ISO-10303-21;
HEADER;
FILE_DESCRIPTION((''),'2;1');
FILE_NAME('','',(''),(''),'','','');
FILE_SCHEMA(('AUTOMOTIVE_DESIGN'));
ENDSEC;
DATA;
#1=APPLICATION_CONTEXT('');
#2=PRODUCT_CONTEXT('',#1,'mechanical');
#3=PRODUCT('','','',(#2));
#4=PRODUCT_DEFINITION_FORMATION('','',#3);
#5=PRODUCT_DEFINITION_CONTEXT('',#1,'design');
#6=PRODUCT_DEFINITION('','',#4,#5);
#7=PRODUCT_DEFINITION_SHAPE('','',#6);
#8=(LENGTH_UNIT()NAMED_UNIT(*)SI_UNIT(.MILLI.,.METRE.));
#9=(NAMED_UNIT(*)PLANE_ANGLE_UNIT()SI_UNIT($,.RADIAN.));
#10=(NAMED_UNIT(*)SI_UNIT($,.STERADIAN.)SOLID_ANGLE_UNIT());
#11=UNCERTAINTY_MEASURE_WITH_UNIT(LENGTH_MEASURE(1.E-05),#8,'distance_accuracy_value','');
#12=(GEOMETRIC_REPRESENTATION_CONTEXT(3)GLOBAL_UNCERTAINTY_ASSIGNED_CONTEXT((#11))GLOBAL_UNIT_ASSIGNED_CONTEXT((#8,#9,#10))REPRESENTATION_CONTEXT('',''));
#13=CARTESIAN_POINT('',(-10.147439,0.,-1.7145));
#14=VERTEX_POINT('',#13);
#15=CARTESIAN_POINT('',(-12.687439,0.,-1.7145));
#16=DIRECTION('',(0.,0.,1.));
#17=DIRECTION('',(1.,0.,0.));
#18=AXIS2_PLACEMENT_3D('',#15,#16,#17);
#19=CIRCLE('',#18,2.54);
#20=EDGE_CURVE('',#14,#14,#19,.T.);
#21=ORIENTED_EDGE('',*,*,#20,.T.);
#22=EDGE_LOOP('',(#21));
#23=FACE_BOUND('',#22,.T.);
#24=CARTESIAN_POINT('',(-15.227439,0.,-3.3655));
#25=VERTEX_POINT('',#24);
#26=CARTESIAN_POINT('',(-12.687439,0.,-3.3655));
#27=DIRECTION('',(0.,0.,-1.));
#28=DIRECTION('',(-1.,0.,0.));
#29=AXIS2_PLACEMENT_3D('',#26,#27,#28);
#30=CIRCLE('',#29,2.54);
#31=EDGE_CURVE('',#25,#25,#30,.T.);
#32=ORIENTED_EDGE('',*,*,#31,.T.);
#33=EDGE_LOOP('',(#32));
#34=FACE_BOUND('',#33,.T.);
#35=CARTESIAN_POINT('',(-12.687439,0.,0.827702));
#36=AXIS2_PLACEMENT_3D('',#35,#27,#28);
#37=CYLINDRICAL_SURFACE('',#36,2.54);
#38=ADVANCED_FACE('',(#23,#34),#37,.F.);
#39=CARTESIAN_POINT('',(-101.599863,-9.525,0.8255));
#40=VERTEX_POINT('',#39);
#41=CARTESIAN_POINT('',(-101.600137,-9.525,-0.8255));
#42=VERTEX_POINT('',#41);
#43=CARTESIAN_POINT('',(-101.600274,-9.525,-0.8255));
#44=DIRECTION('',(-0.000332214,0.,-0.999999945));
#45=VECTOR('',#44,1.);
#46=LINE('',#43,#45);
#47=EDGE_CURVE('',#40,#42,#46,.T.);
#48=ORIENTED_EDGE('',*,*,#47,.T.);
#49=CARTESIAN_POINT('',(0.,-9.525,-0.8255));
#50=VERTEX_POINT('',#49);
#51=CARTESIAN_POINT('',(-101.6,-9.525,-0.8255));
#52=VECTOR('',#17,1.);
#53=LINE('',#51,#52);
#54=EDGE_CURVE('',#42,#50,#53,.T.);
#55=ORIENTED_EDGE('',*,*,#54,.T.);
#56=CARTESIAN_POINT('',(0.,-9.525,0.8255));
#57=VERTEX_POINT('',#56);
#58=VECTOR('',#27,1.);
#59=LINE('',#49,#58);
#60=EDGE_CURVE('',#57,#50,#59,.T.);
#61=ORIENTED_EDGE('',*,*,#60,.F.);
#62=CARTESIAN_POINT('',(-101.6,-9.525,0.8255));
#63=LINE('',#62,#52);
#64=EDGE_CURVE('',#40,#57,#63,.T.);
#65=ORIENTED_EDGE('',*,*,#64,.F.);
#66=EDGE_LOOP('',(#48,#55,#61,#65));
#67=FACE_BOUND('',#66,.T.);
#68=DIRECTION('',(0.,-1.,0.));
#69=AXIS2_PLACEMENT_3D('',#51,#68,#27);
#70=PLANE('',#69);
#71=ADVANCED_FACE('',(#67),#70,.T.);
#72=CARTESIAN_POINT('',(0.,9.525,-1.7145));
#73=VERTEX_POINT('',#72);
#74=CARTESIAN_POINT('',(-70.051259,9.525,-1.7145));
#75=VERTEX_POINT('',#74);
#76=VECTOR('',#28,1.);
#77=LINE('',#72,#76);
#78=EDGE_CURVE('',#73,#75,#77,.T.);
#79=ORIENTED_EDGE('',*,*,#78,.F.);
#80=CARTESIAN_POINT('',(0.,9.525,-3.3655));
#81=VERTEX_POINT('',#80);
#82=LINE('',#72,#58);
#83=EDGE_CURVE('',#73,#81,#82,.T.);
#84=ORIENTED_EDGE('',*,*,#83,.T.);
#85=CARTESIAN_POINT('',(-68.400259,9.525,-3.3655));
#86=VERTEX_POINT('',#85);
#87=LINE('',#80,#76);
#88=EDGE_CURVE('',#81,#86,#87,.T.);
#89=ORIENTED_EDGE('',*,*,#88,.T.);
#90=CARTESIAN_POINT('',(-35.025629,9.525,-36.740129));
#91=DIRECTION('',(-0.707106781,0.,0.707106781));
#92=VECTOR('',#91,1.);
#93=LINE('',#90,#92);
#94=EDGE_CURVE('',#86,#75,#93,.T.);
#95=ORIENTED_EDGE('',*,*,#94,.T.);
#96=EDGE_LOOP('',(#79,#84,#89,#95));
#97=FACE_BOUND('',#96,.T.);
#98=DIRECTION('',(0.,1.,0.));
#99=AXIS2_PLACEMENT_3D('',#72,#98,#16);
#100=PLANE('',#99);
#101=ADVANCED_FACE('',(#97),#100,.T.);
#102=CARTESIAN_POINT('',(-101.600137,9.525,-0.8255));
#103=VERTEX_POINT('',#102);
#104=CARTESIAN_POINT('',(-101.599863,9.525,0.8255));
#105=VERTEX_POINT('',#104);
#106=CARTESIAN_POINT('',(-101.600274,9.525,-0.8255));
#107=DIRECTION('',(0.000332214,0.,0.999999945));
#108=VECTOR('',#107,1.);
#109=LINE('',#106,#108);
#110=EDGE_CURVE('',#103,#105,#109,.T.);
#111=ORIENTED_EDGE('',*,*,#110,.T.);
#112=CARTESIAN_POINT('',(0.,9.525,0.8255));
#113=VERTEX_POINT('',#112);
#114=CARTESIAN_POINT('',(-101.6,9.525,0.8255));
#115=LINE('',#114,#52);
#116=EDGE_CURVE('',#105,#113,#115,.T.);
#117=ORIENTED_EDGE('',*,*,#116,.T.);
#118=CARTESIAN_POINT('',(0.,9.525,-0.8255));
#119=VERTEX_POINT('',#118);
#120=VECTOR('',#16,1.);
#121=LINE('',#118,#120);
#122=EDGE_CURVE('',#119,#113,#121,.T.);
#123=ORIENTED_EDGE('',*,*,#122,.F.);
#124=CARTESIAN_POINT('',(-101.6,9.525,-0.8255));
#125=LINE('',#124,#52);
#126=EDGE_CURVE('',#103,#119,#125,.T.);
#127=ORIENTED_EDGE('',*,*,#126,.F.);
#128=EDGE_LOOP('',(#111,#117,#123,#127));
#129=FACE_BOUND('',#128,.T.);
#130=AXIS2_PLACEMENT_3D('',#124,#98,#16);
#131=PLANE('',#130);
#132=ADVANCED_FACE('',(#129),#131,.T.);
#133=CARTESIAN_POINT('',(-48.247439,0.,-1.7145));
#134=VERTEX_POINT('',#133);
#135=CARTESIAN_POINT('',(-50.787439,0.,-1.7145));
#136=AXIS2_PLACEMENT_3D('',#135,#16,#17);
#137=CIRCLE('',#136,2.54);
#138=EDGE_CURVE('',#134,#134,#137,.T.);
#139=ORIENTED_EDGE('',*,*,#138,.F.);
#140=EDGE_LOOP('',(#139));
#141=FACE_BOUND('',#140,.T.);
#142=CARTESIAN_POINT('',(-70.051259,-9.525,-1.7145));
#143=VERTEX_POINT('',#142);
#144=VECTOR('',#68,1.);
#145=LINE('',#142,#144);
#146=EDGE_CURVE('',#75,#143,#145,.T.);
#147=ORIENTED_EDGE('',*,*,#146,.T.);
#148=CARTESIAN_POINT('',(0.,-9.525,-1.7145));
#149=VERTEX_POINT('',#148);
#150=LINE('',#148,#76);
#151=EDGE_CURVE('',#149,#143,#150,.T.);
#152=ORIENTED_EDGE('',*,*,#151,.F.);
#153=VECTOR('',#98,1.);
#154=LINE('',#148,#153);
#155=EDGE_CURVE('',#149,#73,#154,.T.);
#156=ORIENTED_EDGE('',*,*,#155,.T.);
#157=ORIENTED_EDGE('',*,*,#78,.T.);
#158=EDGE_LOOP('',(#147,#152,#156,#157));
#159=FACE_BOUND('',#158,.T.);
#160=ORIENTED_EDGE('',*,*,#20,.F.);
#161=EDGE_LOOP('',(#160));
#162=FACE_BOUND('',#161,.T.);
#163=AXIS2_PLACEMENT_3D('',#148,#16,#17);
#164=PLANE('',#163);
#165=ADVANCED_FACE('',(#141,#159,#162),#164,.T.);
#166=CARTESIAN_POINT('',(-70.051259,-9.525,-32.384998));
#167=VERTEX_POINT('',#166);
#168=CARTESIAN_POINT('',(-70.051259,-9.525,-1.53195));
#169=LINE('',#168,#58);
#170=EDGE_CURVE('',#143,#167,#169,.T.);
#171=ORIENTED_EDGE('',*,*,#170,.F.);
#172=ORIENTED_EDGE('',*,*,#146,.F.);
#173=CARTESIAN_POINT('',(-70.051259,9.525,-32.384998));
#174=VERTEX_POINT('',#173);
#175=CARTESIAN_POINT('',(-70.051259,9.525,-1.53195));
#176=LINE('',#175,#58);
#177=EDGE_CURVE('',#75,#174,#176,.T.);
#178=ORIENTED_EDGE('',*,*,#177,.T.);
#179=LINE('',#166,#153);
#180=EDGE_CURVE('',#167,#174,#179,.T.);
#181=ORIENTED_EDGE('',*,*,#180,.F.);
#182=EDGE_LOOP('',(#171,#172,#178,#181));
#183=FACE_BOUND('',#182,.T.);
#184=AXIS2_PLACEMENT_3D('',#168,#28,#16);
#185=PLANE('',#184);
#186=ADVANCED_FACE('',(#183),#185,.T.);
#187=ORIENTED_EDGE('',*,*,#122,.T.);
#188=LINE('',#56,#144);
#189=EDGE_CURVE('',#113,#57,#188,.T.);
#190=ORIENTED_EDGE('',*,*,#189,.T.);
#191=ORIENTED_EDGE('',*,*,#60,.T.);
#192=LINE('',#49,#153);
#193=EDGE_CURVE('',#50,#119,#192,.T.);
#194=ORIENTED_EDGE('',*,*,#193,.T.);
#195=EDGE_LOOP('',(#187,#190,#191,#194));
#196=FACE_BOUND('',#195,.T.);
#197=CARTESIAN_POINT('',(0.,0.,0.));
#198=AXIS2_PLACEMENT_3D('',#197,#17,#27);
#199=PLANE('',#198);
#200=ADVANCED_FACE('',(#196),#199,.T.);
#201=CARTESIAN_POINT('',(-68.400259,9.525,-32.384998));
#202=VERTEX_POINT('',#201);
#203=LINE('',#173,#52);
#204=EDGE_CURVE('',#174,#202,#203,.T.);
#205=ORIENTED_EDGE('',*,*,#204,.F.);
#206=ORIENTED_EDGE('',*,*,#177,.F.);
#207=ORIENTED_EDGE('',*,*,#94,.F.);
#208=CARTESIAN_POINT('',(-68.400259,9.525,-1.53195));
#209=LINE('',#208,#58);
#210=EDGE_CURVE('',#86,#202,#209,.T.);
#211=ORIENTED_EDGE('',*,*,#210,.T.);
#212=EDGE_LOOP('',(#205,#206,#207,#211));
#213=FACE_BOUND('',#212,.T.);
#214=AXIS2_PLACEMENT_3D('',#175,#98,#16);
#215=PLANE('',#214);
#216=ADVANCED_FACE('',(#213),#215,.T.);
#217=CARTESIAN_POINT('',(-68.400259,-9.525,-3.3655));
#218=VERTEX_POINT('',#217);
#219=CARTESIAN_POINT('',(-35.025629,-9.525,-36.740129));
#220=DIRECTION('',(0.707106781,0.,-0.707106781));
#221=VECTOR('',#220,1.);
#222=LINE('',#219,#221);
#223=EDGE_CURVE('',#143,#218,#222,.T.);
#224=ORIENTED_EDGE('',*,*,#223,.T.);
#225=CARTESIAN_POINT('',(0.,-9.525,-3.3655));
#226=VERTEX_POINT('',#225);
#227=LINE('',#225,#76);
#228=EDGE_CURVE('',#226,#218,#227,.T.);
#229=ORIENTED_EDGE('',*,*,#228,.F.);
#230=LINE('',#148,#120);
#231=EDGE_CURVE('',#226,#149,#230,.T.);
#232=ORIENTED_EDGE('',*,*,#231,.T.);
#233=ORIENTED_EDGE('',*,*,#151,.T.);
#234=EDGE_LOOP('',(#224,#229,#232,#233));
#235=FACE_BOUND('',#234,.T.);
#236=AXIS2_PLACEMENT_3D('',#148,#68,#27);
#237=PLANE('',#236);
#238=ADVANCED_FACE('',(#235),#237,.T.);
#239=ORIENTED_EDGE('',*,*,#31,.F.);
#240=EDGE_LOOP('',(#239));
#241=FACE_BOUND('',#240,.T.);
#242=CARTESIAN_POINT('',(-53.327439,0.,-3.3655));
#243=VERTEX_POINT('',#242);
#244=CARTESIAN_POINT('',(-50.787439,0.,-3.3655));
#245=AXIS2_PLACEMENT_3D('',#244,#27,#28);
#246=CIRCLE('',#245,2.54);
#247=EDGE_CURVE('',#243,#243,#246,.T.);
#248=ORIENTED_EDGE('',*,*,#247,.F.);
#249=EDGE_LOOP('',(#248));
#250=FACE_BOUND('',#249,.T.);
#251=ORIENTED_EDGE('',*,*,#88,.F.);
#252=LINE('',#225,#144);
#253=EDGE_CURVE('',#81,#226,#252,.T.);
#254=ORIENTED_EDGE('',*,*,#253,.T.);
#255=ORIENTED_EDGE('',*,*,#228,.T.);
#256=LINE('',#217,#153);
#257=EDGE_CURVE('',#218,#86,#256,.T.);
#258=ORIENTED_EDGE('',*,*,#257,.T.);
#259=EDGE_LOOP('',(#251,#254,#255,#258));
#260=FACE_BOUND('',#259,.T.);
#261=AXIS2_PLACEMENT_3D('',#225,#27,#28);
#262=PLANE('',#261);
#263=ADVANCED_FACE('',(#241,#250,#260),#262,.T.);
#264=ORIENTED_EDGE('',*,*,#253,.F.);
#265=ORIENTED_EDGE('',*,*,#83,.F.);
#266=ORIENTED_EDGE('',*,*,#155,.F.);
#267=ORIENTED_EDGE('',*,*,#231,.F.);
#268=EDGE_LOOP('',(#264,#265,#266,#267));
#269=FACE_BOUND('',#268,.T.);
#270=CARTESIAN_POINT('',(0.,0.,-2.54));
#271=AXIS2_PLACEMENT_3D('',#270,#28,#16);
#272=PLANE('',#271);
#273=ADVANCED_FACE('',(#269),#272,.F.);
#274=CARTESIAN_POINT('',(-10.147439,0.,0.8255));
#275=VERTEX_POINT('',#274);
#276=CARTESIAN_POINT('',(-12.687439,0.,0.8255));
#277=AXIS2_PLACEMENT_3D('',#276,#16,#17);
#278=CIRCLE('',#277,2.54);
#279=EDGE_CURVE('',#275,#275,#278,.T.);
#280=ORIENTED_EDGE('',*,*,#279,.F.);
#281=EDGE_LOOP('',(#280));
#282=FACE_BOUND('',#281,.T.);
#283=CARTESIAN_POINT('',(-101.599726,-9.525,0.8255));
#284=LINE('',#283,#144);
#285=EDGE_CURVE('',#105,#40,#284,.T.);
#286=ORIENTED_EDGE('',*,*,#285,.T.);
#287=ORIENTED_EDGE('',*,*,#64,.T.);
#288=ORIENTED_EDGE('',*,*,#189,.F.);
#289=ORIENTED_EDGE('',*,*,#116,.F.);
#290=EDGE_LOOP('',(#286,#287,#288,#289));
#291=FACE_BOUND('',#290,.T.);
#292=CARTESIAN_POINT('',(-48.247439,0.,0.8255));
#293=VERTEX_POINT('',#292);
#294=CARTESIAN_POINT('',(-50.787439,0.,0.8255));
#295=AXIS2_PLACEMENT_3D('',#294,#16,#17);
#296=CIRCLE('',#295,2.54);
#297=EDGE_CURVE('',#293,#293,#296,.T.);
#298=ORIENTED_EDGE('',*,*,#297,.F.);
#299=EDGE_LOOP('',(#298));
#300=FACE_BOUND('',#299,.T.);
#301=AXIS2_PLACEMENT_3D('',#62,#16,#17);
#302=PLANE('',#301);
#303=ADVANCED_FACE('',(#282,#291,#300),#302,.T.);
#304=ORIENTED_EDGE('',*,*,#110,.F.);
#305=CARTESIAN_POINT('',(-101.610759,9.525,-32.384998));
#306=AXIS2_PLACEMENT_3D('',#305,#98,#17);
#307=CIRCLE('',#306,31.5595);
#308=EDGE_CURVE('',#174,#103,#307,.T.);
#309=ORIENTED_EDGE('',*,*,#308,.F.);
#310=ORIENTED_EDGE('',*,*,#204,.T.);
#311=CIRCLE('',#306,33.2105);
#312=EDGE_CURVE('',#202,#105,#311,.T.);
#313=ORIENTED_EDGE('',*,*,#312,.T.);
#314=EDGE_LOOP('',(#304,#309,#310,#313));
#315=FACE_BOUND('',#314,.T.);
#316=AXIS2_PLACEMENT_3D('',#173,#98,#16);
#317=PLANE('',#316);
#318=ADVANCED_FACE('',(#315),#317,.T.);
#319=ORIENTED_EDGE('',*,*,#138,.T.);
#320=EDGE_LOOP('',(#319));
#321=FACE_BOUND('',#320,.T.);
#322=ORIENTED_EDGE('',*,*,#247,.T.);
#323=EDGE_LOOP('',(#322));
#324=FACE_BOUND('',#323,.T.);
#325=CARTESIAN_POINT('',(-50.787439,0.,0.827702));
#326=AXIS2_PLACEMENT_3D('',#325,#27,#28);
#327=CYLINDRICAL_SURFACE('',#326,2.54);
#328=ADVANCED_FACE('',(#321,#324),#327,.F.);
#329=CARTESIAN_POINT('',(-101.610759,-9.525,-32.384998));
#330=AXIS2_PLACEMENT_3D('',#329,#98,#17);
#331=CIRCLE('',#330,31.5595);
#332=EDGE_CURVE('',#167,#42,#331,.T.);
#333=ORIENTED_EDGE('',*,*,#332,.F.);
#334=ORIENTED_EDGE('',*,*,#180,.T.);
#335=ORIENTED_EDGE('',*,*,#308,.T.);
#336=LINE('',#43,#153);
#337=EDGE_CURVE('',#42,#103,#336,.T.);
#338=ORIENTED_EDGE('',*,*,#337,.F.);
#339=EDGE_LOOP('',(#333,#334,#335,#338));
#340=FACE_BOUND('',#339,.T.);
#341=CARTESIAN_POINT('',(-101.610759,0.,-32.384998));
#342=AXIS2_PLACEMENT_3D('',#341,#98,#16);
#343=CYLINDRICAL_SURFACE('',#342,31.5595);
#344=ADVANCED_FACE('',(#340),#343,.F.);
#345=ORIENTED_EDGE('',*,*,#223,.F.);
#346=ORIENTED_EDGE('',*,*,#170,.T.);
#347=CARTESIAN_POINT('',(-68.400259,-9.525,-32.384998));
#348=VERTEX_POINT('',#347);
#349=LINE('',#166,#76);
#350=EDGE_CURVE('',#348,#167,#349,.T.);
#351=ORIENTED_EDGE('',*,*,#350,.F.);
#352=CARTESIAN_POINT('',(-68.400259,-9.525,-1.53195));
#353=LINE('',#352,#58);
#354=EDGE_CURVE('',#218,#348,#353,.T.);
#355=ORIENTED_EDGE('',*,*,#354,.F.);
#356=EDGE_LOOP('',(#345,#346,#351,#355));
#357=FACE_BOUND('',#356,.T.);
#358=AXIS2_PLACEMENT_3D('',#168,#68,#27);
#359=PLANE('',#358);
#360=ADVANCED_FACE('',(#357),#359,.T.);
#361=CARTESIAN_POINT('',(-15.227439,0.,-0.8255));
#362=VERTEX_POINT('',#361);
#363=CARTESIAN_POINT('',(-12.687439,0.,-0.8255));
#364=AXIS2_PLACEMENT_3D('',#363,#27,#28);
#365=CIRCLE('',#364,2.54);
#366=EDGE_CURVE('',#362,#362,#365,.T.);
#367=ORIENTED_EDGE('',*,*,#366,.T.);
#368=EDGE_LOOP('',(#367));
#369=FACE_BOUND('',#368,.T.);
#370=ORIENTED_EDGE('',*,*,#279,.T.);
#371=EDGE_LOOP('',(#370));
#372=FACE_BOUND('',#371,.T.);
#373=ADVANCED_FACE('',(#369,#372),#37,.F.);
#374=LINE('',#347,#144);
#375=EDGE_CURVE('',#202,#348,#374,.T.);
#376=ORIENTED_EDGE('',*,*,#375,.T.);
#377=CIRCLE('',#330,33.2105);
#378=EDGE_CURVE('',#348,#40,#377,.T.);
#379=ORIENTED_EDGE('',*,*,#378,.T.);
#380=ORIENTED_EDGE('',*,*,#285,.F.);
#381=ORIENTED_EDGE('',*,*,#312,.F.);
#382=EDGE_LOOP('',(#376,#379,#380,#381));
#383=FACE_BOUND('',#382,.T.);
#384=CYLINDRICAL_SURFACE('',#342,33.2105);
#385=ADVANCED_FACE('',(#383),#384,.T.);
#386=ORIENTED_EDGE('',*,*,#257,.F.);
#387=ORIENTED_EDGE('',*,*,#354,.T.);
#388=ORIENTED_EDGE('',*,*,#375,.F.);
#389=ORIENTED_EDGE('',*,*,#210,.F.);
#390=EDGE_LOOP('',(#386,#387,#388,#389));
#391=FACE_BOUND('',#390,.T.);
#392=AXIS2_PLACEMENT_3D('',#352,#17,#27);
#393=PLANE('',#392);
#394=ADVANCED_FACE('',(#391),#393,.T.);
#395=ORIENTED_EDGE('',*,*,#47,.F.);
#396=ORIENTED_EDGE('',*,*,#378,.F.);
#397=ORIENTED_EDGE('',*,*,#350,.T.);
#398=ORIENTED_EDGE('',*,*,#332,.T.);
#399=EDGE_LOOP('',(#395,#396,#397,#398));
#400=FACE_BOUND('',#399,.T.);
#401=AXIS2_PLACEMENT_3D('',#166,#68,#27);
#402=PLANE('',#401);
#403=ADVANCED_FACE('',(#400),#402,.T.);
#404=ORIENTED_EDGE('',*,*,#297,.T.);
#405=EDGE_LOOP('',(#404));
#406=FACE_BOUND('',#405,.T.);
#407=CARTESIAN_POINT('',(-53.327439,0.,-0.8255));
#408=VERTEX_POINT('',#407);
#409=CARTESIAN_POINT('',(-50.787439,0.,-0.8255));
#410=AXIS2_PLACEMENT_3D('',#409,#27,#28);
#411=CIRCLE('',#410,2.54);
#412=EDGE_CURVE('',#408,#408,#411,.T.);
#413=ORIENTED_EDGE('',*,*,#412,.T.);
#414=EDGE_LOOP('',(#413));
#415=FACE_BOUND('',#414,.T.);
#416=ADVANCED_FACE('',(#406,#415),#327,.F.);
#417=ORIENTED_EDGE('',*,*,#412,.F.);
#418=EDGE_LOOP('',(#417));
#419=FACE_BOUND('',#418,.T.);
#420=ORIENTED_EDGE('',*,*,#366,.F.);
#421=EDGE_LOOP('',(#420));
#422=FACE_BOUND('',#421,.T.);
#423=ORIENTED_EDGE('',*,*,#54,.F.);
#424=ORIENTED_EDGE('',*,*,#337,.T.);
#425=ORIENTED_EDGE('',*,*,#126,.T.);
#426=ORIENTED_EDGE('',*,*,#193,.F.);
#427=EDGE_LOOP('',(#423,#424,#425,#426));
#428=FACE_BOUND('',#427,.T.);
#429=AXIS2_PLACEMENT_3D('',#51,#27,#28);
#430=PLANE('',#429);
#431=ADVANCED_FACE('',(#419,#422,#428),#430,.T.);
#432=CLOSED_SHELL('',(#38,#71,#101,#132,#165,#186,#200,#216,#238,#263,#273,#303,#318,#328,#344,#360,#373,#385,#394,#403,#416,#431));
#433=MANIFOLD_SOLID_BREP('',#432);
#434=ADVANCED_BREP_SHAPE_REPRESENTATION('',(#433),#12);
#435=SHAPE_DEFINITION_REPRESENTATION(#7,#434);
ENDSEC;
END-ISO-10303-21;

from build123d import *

# Parameters (mm, degrees)
SKETCH2_W          = 1.651
SKETCH2_H          = 19.05
SKETCH3_R          = 2.54
CUT_EXTRUDE1_DEPTH = 5.191001743


with BuildPart() as part:
    # Sweep1: sweep along a path in Sketch1
    with BuildLine(Plane(origin=(0, 0, 0), x_dir=(1, 0, 0), z_dir=(0, 1, 0))) as sweep1_path:
        Line((0, 0), (-101.6, 0))
        ThreePointArc((-101.6, 0), (-124.514215323, 55.280847216), (-69.225758741, 32.384998213))
        Line((-69.225758741, 32.384998213), (-69.225758741, 2.54))
        Line((-69.225758741, 2.54), (0, 2.54))
    # Sketch2 → Sweep1 (sweep)
    with BuildSketch(Plane(origin=(0, 0, 0), x_dir=(0, 0, -1), z_dir=(1, 0, 0))):
        Rectangle(SKETCH2_W, SKETCH2_H)
    sweep(path=sweep1_path.line, transition=Transition.RIGHT)

    # Sketch3 → Cut-Extrude1 (cut, through all)
    with BuildSketch(Plane(origin=(0, 0, -3.3655), x_dir=(-1, 0, 0), z_dir=(0, 0, -1))):
        with Locations((50.787439211, 0)):
            Circle(SKETCH3_R)
        with Locations((12.687439211, 0)):
            Circle(SKETCH3_R)
    extrude(amount=-CUT_EXTRUDE1_DEPTH, mode=Mode.SUBTRACT)


solid = part.part
